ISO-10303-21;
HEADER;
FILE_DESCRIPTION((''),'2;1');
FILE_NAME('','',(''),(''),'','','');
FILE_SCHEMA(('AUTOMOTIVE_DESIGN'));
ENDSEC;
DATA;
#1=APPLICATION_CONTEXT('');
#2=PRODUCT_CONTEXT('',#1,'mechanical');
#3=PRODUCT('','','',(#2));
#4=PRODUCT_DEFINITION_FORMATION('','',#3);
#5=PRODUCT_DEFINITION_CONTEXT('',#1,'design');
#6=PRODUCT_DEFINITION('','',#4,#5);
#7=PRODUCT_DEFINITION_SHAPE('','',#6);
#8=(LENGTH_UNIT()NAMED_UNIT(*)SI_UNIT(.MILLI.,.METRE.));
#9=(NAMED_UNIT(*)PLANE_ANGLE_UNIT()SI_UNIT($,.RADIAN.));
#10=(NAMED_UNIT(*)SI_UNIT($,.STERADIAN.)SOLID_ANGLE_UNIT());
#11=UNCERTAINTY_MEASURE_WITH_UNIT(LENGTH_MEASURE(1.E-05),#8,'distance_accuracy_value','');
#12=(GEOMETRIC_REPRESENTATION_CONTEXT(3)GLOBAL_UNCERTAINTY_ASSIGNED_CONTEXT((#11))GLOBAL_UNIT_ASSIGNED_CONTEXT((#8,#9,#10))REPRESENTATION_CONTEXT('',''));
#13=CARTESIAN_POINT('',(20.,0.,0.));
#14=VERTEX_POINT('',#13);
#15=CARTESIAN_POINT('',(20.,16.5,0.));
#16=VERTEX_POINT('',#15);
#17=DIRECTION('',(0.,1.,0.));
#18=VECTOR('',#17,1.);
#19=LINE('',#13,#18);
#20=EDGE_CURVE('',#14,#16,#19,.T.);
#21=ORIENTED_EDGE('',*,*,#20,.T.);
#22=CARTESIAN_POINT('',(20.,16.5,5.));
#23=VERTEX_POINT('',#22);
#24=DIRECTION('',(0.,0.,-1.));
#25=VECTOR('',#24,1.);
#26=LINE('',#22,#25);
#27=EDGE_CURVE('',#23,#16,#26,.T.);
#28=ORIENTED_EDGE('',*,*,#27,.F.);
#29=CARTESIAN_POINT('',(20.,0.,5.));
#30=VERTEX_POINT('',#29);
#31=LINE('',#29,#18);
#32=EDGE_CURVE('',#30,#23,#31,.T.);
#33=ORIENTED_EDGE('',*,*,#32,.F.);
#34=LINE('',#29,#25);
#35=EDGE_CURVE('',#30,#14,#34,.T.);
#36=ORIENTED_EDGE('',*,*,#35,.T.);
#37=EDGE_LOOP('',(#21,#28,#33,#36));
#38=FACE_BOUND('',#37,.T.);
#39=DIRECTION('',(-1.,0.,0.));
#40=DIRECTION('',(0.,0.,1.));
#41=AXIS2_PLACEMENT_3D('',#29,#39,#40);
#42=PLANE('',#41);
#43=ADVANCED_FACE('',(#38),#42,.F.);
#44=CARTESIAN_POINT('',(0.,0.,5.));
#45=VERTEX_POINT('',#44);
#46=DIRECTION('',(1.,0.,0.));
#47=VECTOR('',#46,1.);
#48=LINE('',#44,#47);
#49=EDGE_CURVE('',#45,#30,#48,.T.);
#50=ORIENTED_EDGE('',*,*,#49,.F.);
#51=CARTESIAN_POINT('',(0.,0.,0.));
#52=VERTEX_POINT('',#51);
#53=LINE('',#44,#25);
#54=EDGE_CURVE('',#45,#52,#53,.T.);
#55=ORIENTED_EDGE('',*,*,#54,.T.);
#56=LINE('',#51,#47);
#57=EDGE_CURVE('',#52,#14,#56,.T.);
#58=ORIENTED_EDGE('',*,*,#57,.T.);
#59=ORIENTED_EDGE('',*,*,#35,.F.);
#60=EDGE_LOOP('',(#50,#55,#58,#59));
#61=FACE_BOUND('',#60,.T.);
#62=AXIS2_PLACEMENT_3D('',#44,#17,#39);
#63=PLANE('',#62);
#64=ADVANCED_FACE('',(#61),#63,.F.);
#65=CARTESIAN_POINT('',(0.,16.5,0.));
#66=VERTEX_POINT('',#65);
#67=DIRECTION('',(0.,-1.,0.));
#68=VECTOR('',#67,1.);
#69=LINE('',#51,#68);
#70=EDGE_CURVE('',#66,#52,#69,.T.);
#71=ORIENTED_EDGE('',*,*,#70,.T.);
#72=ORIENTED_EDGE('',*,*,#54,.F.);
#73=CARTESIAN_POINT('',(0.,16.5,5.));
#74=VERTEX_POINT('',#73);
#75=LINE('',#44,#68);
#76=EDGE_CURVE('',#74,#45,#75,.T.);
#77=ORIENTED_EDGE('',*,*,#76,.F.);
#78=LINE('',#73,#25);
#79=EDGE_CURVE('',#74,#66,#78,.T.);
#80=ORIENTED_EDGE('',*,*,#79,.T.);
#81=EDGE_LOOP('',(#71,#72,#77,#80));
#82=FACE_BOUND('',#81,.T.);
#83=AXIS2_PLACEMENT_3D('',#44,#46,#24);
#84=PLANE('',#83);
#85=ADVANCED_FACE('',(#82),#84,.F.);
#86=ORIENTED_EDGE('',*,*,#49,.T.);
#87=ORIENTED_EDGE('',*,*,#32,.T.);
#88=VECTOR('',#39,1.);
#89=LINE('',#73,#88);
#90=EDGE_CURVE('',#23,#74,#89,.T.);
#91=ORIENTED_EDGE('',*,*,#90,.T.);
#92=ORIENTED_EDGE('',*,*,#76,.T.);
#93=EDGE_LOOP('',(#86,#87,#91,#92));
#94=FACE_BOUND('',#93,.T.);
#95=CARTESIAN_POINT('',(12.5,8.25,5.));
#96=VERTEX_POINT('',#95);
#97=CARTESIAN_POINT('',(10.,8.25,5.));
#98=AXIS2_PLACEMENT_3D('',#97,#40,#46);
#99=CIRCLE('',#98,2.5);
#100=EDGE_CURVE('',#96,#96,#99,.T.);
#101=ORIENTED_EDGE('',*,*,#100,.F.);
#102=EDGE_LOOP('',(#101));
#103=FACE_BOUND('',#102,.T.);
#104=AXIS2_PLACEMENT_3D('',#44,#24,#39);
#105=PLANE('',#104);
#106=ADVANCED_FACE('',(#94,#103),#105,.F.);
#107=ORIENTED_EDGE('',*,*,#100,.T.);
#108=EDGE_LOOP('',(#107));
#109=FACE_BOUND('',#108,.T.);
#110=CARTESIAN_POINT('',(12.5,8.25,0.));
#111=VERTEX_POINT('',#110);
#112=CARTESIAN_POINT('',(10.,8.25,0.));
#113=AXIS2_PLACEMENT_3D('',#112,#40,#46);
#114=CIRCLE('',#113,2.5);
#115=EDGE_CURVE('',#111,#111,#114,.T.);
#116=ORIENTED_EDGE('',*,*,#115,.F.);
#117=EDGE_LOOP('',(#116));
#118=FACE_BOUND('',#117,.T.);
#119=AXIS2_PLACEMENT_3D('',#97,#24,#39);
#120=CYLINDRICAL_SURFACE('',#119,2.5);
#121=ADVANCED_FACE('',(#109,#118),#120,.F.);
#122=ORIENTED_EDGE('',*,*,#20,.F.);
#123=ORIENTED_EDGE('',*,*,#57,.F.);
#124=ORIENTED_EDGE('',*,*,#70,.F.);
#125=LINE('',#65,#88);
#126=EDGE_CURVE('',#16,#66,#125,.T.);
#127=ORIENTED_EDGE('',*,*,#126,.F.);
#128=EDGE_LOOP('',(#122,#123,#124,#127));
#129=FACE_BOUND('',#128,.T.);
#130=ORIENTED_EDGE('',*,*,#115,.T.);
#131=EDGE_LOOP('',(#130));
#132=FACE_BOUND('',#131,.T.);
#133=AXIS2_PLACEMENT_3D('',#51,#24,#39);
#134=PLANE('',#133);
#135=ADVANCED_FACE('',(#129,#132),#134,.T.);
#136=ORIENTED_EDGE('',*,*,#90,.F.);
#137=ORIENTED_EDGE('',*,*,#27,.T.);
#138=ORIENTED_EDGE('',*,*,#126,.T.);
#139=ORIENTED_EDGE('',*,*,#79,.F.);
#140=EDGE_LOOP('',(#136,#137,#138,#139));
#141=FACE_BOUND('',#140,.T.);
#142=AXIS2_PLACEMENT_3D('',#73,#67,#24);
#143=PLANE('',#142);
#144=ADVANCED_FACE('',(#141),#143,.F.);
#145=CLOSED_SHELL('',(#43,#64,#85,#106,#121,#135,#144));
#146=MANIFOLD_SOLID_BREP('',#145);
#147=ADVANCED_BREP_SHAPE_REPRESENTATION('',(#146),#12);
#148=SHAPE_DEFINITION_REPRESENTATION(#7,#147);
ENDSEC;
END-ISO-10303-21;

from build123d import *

# Parameters (mm, degrees)
ESQUISSE1_W        = 20
ESQUISSE1_H        = 16.5
ESQUISSE1_R        = 2.5
BOSS_EXTRU_1_DEPTH = 5


with BuildPart() as part:
    # Esquisse1 → Boss.-Extru.1 (new body)
    with BuildSketch(Plane.XY):
        with Locations((10, 8.25)):
            Rectangle(ESQUISSE1_W, ESQUISSE1_H)
        with Locations((10, 8.25)):
            Circle(ESQUISSE1_R, mode=Mode.SUBTRACT)
    extrude(amount=BOSS_EXTRU_1_DEPTH)


solid = part.part
